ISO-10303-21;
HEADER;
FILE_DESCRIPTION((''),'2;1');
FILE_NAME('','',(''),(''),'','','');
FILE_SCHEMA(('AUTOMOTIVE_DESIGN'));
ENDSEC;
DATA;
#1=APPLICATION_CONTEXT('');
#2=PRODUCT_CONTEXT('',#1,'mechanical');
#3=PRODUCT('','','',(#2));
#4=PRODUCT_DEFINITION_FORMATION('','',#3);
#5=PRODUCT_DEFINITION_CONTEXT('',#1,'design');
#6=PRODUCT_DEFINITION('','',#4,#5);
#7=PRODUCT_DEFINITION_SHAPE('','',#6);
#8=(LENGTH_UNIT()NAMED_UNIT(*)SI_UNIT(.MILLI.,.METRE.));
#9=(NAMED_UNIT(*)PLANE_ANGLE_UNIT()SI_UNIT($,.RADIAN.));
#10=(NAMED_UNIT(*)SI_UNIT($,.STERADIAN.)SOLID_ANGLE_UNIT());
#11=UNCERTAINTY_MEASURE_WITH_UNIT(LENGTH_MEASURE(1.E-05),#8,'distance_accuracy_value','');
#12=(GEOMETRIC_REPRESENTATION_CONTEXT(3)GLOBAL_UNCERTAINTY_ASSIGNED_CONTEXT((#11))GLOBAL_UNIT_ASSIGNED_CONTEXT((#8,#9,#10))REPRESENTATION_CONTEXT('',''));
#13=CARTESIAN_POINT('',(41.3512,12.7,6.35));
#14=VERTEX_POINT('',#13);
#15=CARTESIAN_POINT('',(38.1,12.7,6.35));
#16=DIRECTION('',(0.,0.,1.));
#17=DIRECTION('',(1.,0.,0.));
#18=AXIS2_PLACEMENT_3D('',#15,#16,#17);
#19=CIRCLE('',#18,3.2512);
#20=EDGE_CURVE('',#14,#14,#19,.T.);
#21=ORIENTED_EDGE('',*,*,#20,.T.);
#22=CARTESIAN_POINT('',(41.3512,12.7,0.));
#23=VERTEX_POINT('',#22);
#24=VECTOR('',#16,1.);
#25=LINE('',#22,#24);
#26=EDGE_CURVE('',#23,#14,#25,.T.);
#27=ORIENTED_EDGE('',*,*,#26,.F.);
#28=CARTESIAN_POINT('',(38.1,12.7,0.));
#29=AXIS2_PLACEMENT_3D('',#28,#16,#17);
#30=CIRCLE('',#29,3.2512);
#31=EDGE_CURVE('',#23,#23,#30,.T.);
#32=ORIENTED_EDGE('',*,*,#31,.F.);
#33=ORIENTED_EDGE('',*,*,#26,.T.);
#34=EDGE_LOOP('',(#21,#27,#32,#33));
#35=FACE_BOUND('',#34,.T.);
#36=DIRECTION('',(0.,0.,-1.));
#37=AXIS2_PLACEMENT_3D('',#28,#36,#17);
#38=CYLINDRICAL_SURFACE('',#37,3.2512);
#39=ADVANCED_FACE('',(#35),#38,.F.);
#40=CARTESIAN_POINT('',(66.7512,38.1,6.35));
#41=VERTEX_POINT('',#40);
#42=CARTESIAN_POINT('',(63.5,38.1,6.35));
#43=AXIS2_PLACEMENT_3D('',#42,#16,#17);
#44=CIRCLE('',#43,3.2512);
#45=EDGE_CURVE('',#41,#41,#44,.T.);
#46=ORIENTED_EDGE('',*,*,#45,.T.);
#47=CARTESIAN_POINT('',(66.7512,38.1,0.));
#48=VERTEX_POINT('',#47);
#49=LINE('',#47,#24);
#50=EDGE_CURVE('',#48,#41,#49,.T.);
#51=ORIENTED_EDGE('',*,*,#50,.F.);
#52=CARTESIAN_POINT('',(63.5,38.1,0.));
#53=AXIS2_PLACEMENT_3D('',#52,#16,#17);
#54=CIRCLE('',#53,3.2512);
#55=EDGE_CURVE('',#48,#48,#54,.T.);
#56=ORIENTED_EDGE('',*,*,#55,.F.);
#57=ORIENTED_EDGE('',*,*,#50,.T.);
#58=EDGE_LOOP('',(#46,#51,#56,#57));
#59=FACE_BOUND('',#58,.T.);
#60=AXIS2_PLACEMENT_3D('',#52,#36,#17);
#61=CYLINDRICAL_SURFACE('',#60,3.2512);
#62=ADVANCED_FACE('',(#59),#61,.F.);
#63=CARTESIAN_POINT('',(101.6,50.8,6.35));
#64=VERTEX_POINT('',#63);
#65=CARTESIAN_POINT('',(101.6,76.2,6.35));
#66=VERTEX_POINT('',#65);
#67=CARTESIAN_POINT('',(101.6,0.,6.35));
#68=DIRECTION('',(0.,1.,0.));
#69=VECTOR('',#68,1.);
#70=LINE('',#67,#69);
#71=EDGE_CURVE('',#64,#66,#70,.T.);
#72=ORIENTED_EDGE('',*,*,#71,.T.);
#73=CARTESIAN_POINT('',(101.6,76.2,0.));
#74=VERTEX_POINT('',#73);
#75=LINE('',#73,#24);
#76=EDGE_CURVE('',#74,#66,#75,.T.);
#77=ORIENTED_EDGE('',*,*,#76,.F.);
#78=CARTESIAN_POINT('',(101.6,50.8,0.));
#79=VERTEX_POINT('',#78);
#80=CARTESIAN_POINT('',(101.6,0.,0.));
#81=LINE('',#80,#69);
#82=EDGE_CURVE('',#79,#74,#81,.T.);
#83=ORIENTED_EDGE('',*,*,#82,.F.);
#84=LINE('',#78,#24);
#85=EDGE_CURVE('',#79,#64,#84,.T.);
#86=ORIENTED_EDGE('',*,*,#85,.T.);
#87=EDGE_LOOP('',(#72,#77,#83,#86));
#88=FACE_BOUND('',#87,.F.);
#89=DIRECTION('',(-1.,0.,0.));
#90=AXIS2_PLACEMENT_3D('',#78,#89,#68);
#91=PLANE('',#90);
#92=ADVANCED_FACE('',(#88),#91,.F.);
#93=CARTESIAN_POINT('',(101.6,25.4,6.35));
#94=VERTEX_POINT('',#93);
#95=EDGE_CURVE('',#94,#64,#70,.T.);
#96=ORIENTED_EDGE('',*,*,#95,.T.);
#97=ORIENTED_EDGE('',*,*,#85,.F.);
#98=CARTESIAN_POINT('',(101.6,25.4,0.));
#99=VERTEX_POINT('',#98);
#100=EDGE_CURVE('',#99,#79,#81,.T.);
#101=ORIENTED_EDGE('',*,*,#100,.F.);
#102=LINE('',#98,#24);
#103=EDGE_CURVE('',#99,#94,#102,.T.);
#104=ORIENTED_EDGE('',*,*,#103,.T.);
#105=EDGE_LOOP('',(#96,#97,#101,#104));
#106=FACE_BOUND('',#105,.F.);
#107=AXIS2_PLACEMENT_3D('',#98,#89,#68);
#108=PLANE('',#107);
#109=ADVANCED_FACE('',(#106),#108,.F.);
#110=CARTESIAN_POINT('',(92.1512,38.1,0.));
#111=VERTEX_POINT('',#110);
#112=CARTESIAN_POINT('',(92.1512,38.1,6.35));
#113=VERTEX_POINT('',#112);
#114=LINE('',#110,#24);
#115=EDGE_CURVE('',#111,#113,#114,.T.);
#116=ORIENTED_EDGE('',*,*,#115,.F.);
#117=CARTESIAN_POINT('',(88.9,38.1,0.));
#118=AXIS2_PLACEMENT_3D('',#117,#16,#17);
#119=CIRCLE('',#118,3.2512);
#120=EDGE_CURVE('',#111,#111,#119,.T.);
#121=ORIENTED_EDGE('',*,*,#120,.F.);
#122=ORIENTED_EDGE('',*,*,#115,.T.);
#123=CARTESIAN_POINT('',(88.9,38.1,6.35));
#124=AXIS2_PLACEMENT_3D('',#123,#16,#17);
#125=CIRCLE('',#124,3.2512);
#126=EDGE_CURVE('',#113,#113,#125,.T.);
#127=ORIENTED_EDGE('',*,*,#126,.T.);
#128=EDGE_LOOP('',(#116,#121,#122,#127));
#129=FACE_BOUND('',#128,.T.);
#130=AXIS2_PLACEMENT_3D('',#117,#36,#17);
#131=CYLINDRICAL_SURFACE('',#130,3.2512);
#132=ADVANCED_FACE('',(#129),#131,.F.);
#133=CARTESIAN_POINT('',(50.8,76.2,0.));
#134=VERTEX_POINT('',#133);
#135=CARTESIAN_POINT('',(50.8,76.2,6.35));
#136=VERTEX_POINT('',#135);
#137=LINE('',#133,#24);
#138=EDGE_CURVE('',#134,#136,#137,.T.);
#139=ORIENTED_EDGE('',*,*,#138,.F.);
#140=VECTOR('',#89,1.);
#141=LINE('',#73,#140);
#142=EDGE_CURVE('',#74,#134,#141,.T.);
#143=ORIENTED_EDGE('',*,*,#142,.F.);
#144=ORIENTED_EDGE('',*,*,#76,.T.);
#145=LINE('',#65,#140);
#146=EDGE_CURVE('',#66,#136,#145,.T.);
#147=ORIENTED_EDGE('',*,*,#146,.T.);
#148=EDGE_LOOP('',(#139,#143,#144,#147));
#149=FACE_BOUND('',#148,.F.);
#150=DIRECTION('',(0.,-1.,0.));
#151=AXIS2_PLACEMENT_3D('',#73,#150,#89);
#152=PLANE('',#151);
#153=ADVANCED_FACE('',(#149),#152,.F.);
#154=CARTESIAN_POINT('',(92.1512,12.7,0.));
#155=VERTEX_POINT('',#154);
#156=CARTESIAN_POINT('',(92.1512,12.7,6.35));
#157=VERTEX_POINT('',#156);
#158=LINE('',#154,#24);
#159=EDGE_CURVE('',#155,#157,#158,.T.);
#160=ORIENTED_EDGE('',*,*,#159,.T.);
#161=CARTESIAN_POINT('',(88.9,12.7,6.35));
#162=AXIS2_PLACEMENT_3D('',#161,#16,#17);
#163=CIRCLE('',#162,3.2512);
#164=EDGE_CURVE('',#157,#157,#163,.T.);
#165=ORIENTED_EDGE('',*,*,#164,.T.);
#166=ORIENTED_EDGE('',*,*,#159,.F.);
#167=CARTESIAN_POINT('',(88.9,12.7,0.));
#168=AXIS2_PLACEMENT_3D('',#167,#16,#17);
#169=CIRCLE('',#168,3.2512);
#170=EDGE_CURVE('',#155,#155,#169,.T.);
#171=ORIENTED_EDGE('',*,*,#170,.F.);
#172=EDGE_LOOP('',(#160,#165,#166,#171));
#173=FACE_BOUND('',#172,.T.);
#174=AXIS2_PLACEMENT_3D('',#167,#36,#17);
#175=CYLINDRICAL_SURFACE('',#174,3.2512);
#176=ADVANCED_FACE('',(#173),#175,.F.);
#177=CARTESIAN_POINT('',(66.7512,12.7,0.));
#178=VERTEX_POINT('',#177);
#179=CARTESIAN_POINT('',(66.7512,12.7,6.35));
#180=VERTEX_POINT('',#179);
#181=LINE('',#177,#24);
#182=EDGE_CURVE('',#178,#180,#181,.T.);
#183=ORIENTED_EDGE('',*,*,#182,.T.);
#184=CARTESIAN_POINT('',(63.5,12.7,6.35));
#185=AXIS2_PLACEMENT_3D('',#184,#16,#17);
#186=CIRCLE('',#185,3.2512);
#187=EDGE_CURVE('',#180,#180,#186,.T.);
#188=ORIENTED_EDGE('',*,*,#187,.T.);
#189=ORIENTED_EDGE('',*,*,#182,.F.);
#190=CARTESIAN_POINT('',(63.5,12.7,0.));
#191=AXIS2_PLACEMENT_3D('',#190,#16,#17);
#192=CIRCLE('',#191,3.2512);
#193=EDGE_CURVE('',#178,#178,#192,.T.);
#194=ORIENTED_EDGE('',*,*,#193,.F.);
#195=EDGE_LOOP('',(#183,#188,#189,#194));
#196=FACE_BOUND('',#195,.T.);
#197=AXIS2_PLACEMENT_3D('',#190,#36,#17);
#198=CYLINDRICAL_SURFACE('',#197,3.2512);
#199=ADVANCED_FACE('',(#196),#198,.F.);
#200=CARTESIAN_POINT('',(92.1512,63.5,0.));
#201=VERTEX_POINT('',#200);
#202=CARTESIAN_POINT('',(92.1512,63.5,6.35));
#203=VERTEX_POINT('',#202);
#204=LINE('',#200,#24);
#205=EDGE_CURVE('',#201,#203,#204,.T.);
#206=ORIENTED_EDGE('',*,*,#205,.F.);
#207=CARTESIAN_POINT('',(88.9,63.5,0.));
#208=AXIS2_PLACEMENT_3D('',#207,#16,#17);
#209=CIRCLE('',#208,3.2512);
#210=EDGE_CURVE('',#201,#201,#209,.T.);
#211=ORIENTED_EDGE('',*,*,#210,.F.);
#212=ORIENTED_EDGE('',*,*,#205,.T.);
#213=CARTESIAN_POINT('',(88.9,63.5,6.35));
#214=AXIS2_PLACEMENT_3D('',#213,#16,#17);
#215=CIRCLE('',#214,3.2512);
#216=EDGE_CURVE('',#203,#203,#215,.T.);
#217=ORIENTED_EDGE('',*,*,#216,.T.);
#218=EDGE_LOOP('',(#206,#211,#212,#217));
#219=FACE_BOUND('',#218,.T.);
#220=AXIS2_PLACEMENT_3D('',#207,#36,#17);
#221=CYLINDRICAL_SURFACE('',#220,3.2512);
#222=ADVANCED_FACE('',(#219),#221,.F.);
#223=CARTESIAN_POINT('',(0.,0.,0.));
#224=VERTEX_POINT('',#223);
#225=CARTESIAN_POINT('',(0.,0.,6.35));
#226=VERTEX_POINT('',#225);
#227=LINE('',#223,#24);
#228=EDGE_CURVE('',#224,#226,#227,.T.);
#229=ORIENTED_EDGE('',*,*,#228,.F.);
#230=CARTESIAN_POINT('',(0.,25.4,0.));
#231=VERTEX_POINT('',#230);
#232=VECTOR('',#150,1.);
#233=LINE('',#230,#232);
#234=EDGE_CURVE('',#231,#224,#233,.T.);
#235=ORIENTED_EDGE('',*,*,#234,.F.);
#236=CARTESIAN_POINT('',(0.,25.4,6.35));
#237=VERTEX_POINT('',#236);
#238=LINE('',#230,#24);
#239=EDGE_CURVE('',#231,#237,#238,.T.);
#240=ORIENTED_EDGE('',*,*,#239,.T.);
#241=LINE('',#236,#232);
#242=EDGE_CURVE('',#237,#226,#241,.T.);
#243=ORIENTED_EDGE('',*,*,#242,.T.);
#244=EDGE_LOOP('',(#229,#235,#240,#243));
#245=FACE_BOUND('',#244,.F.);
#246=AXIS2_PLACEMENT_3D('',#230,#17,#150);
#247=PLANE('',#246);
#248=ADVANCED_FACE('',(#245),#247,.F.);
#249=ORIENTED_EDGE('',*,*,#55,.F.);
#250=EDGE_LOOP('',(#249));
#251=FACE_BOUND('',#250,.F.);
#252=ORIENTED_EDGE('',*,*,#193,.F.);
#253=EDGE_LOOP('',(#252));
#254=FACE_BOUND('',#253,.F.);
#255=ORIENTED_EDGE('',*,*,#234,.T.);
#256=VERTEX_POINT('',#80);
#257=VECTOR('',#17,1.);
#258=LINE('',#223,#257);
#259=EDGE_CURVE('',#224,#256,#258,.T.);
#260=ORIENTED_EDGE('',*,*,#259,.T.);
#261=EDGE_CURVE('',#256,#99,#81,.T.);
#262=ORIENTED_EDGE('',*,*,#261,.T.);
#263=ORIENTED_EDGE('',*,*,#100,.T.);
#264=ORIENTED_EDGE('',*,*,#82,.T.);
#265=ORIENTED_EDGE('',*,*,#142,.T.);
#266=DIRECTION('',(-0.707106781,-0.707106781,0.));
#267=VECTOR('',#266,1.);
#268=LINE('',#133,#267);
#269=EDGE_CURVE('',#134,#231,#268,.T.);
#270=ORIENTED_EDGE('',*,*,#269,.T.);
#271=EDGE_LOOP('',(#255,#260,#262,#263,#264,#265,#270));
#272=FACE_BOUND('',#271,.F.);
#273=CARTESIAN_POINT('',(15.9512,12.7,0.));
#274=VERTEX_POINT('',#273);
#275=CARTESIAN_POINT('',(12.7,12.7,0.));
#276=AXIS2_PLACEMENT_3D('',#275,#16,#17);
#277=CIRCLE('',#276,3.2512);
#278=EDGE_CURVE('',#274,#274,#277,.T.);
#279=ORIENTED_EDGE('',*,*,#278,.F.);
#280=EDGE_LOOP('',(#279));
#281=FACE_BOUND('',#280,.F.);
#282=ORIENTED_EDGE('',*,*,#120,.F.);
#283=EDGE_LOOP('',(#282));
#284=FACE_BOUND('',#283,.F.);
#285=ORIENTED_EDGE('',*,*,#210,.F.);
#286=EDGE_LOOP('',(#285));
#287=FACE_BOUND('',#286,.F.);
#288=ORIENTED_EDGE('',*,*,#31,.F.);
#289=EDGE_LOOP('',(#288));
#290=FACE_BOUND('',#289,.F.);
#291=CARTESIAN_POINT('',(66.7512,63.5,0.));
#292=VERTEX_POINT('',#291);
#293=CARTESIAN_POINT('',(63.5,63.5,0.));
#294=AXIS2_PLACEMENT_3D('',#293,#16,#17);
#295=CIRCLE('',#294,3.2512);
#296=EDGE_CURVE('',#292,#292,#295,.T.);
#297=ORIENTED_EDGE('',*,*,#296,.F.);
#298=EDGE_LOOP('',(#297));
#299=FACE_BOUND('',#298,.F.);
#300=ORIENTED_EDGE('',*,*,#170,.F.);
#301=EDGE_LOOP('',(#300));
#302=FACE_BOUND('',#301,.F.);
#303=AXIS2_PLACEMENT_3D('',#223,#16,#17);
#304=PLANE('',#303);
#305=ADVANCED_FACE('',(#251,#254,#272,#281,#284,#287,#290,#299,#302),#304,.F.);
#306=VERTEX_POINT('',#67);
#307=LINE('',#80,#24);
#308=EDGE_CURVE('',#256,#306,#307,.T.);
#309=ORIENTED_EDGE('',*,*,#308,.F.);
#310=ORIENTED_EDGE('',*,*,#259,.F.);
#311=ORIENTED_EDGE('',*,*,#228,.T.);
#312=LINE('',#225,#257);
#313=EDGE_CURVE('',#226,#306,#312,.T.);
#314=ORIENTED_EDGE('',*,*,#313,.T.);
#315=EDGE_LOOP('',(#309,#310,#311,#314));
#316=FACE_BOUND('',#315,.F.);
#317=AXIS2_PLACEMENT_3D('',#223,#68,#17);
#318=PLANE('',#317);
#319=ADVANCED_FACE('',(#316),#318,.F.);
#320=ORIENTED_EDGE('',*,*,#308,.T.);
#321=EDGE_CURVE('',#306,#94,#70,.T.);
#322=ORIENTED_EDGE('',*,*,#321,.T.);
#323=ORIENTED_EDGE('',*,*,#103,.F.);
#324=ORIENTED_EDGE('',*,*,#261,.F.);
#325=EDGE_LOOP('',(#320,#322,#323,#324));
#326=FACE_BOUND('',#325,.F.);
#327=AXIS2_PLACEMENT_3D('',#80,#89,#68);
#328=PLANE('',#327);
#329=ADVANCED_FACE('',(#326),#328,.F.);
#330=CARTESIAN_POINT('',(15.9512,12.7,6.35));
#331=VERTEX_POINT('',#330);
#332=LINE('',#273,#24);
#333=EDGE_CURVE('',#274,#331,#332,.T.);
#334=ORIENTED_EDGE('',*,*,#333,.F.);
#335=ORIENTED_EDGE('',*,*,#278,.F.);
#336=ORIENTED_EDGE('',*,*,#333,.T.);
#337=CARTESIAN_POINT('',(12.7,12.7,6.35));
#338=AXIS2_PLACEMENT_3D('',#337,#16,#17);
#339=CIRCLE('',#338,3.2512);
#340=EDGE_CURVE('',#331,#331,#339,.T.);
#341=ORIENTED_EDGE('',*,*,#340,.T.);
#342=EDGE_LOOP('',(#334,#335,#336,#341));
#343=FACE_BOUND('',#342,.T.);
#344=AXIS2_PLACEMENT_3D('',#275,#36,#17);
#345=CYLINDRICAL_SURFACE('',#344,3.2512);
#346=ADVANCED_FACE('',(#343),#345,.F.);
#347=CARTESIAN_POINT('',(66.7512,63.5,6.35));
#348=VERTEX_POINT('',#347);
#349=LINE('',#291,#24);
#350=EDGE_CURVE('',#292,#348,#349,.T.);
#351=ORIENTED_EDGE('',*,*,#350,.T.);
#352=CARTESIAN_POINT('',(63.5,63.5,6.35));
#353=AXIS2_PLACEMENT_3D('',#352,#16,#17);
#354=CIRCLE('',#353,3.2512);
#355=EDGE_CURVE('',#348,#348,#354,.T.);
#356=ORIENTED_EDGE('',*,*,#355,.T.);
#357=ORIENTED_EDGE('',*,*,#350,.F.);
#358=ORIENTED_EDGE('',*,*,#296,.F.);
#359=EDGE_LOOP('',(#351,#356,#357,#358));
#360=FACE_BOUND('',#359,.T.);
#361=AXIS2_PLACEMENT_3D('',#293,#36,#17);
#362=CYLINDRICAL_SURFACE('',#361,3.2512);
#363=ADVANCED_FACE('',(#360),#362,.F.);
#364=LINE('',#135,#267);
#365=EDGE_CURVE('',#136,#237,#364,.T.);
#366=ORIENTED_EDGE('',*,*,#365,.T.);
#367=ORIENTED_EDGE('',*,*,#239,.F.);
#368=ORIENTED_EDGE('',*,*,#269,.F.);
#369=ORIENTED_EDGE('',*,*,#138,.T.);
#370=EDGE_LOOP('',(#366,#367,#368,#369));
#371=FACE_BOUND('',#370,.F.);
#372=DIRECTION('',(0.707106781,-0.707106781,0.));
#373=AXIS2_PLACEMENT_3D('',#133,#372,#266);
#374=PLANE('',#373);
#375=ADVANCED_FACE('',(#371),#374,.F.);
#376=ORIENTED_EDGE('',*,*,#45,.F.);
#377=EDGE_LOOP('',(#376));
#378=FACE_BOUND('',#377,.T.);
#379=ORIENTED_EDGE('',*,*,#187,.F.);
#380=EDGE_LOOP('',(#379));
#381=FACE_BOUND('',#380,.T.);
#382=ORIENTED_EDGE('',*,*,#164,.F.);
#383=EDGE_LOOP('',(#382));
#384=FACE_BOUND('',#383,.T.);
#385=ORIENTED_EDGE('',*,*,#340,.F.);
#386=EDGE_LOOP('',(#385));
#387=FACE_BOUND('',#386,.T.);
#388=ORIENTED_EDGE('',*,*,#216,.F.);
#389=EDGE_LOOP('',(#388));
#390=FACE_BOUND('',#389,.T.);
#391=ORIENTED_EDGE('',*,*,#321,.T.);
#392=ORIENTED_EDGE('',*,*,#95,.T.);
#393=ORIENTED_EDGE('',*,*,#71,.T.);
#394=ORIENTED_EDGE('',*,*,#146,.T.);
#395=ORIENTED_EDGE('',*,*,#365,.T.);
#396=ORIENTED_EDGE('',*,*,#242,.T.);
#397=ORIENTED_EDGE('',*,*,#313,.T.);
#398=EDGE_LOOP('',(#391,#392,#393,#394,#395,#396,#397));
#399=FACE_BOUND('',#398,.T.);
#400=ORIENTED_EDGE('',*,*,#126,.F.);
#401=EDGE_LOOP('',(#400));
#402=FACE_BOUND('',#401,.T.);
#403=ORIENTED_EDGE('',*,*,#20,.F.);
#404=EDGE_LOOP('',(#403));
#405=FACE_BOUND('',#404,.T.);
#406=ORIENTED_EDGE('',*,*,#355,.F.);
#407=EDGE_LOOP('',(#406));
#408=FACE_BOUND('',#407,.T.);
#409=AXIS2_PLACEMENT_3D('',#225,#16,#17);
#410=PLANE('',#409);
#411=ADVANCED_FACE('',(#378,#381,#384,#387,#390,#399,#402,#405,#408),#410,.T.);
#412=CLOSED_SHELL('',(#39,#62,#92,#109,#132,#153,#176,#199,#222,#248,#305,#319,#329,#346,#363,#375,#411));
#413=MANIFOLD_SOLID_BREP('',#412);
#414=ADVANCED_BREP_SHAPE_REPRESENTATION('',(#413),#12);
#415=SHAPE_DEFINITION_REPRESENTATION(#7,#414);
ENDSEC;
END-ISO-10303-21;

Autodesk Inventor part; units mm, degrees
ref_plane "YZ Plane" through (0, 0, 0) normal (1, 0, 0) x (0, 1, 0)
ref_plane "XZ Plane" through (0, 0, 0) normal (0, 1, 0) x (-1, 0, 0)
ref_plane "XY Plane" through (0, 0, 0) normal (0, 0, 1) x (1, 0, 0)
sketch "Sketch1" plane through (0, 0, 0) normal (0, 0, 1) x (1, 0, 0)
  line L0 (0, 0) -> (101.6, 0)
  line L1 (101.6, 0) -> (101.6, 76.2)
  line L2 (101.6, 76.2) -> (50.8, 76.2)
  line L3 (0, 25.4) -> (0, 0)
  circle A0 centre (12.7, 12.7) radius 3.2512
  circle A1 centre (38.1, 12.7) radius 3.2512
  circle A2 centre (63.5, 12.7) radius 3.2512
  circle A3 centre (88.9, 12.7) radius 3.2512
  line L4 (101.6, 25.4) -> (101.6, 101.6)
  circle A4 centre (88.9, 38.1) radius 3.2512
  circle A5 centre (63.5, 38.1) radius 3.2512
  line L5 (101.6, 50.8) -> (101.6, 127)
  circle A6 centre (88.9, 63.5) radius 3.2512
  circle A7 centre (63.5, 63.5) radius 3.2512
  line L6 (50.8, 76.2) -> (0, 25.4)
  dimension "d0" = 101.6
  dimension "d1" = 76.2
  dimension "d2" = 25.4
  dimension "d3" = 6.5024
  dimension "d4" = 12.7
  dimension "d5" = 12.7
  dimension "d8" = 25.4
  dimension "d15" = 25.4
  dimension "d20" = 50.8
extrude "Extrusion1" add sketch "Sketch1" along normal blind 6.35
properties part number "2x1 L plate"
